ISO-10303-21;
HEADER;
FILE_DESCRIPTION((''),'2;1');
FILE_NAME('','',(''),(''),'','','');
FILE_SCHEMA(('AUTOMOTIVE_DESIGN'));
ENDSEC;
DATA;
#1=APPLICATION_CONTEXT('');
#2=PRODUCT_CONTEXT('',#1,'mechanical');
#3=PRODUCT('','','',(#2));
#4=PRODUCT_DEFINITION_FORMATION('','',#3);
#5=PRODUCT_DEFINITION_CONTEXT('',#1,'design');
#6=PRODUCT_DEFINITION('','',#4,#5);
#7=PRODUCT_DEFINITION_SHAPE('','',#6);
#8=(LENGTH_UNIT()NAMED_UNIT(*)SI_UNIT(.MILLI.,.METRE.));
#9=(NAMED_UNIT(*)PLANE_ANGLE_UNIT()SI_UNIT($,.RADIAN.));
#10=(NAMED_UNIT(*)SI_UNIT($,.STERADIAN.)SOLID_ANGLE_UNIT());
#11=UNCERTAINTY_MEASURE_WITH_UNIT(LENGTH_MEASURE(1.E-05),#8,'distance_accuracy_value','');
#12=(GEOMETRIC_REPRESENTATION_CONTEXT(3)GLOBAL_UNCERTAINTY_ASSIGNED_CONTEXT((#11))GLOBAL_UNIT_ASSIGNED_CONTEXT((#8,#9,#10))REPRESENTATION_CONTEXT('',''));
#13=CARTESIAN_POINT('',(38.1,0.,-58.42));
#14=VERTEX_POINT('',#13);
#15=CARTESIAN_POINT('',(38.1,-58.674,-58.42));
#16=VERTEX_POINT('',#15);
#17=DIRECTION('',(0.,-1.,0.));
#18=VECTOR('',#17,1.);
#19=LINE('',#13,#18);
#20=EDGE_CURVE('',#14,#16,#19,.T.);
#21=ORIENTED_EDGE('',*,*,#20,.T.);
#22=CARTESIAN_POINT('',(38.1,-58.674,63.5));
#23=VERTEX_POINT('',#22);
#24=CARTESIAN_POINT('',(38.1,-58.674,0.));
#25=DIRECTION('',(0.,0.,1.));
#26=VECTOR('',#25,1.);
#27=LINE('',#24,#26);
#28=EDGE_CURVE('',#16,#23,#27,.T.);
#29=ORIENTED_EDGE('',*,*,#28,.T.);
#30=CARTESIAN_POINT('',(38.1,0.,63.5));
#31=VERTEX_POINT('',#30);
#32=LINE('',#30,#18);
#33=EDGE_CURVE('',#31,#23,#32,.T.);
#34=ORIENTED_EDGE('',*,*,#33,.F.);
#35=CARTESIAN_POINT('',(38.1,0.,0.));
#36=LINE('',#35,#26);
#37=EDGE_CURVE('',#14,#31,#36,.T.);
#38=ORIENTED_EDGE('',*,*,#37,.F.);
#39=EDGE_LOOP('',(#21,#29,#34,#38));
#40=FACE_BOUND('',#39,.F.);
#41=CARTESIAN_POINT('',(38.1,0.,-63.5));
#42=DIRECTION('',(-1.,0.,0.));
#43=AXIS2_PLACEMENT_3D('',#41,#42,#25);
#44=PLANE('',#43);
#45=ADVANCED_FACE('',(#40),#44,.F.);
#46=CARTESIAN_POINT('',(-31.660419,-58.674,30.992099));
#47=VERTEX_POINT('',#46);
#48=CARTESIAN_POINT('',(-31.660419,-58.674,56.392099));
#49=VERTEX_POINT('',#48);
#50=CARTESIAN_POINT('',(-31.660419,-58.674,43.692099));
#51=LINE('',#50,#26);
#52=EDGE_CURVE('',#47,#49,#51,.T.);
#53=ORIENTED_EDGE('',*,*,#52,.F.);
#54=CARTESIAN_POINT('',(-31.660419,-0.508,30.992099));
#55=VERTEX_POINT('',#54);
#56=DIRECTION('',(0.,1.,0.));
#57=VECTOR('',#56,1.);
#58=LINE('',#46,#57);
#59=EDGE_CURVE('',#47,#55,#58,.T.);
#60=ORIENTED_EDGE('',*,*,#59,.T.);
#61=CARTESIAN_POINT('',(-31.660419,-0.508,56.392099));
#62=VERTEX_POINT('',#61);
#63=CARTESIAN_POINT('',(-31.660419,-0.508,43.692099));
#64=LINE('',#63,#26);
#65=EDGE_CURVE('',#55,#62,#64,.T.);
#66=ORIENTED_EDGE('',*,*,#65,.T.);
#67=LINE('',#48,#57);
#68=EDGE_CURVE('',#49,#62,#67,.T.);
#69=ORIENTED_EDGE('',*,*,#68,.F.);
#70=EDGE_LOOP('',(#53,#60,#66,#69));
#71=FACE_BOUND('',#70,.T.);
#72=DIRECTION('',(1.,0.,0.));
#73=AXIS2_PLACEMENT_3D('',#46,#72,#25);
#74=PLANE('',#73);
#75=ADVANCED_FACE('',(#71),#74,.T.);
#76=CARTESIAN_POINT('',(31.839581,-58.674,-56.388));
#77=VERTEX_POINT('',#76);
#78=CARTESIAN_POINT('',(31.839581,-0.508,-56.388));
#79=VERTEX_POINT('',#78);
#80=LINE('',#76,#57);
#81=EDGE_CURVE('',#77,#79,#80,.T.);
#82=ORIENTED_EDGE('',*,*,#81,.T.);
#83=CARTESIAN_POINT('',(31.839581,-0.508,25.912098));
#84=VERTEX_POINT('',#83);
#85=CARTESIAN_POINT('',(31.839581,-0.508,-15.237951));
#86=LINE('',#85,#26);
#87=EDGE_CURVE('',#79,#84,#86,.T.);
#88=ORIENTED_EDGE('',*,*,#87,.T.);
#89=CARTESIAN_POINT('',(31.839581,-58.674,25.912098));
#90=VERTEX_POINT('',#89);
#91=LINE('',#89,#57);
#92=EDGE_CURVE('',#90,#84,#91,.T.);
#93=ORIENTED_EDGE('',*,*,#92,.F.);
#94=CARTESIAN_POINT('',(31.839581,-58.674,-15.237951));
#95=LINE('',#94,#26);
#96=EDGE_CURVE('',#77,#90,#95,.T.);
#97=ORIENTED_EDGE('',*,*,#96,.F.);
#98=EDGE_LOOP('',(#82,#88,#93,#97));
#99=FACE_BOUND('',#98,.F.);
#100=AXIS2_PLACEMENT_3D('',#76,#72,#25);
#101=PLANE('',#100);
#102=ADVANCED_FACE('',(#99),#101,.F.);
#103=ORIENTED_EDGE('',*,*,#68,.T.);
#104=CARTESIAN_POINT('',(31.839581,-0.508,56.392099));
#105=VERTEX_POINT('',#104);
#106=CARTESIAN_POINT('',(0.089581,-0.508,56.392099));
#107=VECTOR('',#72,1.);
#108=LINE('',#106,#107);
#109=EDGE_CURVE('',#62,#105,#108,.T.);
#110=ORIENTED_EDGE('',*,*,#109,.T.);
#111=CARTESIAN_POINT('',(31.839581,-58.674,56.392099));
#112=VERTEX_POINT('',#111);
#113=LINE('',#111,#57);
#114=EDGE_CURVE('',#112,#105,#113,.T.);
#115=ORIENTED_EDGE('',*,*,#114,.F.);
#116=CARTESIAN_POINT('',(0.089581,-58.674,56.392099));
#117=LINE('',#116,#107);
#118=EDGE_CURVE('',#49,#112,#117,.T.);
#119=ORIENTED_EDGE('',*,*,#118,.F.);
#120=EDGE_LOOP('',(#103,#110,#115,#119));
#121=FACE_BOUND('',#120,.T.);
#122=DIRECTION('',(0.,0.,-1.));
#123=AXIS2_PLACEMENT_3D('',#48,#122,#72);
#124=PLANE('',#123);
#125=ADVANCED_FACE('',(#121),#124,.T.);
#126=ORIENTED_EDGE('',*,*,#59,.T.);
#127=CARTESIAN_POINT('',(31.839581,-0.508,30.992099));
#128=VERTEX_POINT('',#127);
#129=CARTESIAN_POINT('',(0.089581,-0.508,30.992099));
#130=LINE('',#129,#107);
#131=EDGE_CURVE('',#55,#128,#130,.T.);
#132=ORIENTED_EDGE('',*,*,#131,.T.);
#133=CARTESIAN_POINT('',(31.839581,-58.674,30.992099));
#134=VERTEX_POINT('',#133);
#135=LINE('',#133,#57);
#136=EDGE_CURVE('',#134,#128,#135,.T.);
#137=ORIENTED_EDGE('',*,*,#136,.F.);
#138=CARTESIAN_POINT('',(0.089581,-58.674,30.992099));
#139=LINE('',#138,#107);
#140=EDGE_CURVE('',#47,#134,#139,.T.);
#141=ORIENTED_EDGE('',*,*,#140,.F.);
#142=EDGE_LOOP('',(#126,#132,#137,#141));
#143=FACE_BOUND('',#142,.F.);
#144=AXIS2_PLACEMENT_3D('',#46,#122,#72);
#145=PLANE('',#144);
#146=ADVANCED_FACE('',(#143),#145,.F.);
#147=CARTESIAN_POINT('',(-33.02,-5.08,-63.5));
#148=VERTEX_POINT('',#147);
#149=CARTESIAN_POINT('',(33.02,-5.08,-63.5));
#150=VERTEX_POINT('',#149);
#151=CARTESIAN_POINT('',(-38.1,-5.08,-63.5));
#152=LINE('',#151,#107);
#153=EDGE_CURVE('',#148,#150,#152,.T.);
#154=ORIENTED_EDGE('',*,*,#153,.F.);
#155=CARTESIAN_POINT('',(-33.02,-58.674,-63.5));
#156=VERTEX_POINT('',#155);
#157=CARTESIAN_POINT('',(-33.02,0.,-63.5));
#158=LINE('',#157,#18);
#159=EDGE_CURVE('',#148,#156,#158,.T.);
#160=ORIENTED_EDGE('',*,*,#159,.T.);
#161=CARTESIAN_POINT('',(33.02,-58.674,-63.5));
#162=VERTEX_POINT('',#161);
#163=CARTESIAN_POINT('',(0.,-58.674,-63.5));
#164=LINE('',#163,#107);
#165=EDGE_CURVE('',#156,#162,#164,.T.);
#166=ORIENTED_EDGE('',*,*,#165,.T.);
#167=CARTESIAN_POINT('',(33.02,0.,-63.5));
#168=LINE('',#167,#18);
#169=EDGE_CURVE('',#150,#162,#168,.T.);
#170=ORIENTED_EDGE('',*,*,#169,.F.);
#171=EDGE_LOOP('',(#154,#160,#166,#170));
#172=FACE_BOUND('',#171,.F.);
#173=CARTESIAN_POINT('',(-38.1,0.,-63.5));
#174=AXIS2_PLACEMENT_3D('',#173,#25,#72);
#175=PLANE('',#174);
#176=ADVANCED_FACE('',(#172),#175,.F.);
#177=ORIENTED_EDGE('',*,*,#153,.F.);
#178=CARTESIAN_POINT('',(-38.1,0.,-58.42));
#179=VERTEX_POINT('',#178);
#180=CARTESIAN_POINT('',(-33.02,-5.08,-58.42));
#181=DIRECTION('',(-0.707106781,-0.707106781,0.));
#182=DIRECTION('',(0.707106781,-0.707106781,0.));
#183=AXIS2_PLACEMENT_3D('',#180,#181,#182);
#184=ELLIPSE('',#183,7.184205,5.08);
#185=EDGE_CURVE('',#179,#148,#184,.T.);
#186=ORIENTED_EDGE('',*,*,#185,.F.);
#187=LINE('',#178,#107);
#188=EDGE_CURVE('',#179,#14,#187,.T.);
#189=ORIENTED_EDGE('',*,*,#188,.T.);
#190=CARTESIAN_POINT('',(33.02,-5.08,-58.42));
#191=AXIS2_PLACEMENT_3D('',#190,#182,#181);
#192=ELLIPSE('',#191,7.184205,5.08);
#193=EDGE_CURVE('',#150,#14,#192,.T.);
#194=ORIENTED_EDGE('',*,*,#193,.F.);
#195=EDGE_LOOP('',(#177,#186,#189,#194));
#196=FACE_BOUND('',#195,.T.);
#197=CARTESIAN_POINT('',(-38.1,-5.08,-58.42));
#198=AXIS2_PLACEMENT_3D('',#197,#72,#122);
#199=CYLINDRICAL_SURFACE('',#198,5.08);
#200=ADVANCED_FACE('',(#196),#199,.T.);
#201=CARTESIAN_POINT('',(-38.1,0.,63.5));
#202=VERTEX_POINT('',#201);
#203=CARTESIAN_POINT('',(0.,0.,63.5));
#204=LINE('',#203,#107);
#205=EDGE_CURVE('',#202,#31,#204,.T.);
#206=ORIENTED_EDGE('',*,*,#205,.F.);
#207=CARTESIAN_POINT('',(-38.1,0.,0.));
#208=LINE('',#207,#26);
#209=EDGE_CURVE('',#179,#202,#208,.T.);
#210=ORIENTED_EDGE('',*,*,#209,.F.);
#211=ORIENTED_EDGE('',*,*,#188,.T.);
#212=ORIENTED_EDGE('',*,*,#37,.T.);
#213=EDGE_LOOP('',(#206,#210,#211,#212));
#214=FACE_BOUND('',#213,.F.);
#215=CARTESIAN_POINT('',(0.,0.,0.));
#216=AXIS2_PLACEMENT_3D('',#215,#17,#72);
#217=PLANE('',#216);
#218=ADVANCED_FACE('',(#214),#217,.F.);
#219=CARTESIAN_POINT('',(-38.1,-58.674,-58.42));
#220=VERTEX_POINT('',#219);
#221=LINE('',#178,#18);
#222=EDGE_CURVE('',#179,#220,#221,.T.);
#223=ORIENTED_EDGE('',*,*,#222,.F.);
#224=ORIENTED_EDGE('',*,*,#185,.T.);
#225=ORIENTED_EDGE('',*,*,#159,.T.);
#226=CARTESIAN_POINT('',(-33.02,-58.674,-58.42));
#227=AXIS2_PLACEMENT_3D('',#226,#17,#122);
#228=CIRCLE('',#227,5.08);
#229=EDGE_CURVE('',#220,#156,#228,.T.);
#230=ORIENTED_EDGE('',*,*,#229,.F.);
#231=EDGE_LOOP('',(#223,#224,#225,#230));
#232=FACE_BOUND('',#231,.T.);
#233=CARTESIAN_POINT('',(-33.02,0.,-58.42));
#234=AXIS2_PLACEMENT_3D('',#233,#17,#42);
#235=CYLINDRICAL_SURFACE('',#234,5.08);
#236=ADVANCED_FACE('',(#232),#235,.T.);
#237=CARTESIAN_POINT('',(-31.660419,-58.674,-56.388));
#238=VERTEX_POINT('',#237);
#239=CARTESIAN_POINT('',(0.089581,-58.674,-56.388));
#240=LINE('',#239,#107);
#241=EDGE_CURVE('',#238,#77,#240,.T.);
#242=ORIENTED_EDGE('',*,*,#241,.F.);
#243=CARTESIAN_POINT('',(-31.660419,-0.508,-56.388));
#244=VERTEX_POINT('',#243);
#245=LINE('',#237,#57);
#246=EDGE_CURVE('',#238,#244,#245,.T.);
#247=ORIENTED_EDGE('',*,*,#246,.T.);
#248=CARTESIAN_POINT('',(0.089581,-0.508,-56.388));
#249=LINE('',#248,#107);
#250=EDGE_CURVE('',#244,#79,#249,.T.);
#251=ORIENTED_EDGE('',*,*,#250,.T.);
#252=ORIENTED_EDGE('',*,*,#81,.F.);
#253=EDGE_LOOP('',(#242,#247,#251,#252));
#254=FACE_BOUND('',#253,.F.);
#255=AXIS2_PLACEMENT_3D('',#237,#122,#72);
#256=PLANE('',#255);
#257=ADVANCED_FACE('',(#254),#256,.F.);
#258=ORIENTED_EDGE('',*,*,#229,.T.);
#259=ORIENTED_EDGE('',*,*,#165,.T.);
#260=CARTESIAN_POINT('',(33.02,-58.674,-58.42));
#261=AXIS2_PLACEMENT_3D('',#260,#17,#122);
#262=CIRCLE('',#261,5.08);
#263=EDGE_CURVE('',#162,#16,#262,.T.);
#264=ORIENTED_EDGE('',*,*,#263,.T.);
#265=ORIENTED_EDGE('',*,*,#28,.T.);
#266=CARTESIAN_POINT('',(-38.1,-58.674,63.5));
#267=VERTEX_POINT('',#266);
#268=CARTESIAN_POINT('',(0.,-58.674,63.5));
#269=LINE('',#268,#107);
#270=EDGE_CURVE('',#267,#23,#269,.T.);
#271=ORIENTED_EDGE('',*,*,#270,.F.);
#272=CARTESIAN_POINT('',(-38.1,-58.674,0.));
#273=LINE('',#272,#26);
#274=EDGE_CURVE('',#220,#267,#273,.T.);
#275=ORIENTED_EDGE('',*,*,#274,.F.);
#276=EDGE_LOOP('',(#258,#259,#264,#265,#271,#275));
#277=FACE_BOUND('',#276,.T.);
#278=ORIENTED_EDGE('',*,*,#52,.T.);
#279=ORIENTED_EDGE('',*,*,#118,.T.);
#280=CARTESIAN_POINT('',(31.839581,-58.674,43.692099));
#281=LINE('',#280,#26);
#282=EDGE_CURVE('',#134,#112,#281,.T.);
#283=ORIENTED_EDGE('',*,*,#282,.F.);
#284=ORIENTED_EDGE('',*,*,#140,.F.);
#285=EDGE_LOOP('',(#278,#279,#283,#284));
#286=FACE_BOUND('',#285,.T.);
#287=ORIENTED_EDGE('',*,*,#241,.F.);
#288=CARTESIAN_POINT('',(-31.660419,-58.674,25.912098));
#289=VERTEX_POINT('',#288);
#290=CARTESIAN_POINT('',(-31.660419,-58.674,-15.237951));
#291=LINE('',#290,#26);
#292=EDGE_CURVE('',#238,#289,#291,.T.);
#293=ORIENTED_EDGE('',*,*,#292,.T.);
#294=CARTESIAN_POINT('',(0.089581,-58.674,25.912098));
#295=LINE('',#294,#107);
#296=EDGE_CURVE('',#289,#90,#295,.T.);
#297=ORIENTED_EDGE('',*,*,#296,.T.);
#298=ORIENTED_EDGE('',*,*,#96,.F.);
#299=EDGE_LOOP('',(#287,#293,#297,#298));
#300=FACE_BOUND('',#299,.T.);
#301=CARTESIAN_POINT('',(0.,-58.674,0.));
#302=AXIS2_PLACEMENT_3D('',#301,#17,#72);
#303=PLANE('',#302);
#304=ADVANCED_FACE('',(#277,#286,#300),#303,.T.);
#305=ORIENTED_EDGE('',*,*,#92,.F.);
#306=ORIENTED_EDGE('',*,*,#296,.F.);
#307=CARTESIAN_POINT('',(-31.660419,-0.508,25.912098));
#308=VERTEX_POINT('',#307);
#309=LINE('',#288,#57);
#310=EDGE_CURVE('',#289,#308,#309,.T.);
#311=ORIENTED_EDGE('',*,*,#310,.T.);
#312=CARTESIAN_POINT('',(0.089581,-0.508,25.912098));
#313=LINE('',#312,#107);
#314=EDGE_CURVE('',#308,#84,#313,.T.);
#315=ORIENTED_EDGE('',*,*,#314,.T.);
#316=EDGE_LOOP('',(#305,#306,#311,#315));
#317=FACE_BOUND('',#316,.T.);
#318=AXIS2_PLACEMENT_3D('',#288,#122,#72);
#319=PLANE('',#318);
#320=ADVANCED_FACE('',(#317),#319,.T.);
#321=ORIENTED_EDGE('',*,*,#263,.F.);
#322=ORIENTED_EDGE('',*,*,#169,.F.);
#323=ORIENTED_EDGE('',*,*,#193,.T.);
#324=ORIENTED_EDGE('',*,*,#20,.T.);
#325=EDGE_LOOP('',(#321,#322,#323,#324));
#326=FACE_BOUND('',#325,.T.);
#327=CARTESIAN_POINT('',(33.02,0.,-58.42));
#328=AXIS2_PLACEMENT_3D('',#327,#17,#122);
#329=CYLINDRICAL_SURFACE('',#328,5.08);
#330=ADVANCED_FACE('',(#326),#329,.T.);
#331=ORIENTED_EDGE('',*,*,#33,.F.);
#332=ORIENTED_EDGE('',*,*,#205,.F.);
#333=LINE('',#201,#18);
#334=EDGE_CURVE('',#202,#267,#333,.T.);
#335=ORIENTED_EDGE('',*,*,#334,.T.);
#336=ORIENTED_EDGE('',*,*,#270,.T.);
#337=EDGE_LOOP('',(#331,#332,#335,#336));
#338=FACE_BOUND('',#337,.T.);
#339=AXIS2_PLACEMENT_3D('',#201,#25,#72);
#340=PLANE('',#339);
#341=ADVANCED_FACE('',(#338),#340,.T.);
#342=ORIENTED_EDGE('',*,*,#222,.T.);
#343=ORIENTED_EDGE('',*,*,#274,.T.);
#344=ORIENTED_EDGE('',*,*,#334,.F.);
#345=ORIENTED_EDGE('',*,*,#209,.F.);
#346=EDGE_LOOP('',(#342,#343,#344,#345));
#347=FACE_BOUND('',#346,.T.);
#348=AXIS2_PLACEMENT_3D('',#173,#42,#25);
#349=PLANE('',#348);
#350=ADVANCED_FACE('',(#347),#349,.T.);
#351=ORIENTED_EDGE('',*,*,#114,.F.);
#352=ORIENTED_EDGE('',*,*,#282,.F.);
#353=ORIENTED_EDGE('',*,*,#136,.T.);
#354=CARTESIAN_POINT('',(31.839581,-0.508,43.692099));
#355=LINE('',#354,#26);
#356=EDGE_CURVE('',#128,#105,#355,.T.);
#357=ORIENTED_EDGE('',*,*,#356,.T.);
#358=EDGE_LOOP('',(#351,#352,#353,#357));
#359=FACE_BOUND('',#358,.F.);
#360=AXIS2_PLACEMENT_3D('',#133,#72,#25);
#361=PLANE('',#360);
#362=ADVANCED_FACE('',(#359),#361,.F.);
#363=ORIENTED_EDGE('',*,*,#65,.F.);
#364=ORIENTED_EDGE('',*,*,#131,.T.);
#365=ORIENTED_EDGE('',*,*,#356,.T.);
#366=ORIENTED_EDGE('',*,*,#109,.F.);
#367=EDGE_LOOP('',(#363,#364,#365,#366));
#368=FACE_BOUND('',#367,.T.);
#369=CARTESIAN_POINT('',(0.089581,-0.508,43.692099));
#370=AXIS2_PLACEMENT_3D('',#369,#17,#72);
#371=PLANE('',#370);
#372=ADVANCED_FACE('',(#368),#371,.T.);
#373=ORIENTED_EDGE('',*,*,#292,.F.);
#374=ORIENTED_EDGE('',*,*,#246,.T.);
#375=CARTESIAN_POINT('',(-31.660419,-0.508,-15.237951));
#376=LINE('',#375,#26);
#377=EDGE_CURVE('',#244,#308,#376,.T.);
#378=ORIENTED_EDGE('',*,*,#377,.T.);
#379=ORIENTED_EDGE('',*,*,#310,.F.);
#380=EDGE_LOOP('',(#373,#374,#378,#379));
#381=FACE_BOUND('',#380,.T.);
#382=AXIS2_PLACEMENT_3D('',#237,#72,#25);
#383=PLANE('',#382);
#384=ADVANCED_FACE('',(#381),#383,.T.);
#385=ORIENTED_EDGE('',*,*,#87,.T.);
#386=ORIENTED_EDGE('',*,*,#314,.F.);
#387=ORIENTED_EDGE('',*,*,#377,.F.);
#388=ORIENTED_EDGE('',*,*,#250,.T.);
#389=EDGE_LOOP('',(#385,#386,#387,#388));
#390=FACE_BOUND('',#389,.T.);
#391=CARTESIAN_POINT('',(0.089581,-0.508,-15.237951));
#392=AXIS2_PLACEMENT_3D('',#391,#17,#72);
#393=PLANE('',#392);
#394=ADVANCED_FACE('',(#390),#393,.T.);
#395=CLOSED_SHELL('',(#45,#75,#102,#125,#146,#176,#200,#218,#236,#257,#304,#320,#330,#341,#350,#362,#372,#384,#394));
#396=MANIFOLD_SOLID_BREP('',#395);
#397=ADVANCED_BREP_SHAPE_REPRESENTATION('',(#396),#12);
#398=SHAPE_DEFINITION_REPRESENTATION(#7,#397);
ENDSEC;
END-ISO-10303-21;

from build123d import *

# Parameters (mm, degrees)
F0_W     = 76.2
F0_H     = 127
F1_DEPTH = 58.674
F2_W     = 63.5
F2_H     = 25.4
F2_H_2   = 82.300099
F3_DEPTH = 58.166
F4_R     = 5.08


with BuildPart() as f1:
    # F0 (on Front) → F1 (new body)
    with BuildSketch(Plane.XZ):
        Rectangle(F0_W, F0_H)
    extrude(amount=F1_DEPTH)

    # F2 (on face) → F3 (cut)
    with BuildSketch(Plane.XZ.offset(58.674)):
        with Locations((0.089581, 43.692099)):
            Rectangle(F2_W, F2_H)
        with Locations((0.089581, -15.237951)):
            Rectangle(F2_W, F2_H_2)
    extrude(amount=-F3_DEPTH, mode=Mode.SUBTRACT)

    # F4
    f4_edges = [f1.edges().sort_by_distance(p)[0] for p in [
        (38.1, -29.337, -63.5),
        (-38.1, -29.337, -63.5),
        (0, 0, -63.5),
    ]]
    fillet(f4_edges, radius=F4_R)


solid = f1.part
